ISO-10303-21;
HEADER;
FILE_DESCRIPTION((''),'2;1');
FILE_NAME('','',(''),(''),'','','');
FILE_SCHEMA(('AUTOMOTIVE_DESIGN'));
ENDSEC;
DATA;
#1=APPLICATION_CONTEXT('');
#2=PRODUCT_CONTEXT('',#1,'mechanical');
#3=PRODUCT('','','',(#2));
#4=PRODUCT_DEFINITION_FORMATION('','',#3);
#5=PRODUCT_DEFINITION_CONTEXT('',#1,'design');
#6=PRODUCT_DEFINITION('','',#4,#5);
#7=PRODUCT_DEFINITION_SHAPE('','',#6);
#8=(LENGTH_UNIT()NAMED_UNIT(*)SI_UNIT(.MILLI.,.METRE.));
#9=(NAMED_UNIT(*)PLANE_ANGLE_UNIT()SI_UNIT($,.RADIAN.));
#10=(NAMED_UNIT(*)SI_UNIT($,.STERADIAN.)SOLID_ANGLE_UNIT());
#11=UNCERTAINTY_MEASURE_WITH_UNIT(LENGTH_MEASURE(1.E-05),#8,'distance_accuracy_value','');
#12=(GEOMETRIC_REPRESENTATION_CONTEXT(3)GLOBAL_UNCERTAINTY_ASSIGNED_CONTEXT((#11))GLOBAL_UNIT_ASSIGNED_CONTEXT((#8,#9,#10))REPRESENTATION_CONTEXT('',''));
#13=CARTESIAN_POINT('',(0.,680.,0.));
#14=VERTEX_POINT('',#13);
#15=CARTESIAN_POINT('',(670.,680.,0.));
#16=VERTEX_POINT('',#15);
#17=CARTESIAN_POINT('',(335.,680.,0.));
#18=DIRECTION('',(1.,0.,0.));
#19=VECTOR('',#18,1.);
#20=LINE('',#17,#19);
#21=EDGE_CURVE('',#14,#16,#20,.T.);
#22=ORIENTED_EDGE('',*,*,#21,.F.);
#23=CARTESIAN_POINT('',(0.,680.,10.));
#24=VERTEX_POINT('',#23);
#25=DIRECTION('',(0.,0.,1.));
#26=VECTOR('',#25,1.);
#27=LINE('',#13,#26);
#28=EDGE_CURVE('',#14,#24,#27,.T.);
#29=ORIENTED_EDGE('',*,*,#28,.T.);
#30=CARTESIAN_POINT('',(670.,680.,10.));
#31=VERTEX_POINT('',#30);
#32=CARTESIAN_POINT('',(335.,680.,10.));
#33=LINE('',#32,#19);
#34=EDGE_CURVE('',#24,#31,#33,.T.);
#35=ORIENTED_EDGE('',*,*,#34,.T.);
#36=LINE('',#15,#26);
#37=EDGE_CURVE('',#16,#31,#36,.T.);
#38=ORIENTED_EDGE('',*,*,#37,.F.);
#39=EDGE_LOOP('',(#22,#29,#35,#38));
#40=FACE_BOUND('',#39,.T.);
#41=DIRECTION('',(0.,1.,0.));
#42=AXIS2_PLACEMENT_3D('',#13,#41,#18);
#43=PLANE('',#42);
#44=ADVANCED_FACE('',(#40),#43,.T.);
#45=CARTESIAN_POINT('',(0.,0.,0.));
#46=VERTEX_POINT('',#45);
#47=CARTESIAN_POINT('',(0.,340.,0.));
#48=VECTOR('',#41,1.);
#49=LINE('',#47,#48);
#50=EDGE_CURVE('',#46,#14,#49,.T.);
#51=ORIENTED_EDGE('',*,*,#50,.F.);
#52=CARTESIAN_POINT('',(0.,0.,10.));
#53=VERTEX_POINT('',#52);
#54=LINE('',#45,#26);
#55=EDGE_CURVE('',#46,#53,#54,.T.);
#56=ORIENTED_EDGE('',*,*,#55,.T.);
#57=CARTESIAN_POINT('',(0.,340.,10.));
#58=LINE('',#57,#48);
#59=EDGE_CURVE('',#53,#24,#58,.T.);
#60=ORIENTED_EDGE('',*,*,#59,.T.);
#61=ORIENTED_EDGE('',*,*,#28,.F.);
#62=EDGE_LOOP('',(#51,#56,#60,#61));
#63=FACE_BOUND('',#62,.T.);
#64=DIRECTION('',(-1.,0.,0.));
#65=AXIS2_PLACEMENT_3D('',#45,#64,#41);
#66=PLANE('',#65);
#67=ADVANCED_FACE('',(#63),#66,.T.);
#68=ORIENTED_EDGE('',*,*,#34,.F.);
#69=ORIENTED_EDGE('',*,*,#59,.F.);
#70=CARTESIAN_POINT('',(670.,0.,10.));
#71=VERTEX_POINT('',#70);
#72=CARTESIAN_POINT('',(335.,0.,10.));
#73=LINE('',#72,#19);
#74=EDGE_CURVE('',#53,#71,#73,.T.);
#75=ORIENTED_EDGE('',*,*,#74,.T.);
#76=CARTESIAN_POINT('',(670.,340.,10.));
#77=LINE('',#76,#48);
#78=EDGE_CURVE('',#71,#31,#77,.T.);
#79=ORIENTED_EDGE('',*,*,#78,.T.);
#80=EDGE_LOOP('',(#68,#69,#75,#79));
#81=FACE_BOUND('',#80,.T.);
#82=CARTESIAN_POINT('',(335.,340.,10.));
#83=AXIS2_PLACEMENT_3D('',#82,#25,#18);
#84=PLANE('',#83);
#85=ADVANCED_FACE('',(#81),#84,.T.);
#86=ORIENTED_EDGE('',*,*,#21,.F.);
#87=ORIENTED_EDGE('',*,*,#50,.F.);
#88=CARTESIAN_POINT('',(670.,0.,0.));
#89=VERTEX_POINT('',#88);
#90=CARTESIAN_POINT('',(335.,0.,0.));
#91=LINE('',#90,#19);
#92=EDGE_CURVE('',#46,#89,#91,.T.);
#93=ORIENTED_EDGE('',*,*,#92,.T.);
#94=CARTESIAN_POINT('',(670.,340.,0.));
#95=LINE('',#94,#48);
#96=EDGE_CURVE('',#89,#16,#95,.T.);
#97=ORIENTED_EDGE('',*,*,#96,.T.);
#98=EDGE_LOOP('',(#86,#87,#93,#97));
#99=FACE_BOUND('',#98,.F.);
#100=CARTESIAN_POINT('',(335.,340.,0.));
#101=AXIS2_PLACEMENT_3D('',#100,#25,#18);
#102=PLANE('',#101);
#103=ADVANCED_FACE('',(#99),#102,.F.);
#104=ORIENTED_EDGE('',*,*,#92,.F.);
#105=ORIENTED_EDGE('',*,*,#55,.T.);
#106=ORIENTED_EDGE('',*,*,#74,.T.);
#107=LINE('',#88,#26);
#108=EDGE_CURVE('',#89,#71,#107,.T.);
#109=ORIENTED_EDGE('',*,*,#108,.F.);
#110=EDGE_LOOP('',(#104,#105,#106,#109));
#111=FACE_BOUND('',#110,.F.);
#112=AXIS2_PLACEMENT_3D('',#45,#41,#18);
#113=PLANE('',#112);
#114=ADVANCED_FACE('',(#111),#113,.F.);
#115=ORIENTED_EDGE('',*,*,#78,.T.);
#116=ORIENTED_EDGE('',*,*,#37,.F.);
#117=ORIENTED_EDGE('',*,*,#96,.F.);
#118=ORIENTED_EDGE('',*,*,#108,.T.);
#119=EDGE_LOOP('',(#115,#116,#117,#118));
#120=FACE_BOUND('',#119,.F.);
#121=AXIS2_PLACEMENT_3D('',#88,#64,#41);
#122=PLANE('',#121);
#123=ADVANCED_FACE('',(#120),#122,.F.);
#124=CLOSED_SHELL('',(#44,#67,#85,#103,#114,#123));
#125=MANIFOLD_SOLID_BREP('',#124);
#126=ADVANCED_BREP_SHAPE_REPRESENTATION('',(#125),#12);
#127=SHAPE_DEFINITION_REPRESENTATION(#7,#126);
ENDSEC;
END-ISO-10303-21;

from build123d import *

# Parameters (mm, degrees)
SKETCH1_W      = 670
SKETCH1_H      = 680
EXTRUDE1_DEPTH = 10


with BuildPart() as part:
    # Sketch1 → Extrude1 (new body)
    with BuildSketch(Plane.XY):
        with Locations((335, 340)):
            Rectangle(SKETCH1_W, SKETCH1_H)
    extrude(amount=EXTRUDE1_DEPTH)


solid = part.part
